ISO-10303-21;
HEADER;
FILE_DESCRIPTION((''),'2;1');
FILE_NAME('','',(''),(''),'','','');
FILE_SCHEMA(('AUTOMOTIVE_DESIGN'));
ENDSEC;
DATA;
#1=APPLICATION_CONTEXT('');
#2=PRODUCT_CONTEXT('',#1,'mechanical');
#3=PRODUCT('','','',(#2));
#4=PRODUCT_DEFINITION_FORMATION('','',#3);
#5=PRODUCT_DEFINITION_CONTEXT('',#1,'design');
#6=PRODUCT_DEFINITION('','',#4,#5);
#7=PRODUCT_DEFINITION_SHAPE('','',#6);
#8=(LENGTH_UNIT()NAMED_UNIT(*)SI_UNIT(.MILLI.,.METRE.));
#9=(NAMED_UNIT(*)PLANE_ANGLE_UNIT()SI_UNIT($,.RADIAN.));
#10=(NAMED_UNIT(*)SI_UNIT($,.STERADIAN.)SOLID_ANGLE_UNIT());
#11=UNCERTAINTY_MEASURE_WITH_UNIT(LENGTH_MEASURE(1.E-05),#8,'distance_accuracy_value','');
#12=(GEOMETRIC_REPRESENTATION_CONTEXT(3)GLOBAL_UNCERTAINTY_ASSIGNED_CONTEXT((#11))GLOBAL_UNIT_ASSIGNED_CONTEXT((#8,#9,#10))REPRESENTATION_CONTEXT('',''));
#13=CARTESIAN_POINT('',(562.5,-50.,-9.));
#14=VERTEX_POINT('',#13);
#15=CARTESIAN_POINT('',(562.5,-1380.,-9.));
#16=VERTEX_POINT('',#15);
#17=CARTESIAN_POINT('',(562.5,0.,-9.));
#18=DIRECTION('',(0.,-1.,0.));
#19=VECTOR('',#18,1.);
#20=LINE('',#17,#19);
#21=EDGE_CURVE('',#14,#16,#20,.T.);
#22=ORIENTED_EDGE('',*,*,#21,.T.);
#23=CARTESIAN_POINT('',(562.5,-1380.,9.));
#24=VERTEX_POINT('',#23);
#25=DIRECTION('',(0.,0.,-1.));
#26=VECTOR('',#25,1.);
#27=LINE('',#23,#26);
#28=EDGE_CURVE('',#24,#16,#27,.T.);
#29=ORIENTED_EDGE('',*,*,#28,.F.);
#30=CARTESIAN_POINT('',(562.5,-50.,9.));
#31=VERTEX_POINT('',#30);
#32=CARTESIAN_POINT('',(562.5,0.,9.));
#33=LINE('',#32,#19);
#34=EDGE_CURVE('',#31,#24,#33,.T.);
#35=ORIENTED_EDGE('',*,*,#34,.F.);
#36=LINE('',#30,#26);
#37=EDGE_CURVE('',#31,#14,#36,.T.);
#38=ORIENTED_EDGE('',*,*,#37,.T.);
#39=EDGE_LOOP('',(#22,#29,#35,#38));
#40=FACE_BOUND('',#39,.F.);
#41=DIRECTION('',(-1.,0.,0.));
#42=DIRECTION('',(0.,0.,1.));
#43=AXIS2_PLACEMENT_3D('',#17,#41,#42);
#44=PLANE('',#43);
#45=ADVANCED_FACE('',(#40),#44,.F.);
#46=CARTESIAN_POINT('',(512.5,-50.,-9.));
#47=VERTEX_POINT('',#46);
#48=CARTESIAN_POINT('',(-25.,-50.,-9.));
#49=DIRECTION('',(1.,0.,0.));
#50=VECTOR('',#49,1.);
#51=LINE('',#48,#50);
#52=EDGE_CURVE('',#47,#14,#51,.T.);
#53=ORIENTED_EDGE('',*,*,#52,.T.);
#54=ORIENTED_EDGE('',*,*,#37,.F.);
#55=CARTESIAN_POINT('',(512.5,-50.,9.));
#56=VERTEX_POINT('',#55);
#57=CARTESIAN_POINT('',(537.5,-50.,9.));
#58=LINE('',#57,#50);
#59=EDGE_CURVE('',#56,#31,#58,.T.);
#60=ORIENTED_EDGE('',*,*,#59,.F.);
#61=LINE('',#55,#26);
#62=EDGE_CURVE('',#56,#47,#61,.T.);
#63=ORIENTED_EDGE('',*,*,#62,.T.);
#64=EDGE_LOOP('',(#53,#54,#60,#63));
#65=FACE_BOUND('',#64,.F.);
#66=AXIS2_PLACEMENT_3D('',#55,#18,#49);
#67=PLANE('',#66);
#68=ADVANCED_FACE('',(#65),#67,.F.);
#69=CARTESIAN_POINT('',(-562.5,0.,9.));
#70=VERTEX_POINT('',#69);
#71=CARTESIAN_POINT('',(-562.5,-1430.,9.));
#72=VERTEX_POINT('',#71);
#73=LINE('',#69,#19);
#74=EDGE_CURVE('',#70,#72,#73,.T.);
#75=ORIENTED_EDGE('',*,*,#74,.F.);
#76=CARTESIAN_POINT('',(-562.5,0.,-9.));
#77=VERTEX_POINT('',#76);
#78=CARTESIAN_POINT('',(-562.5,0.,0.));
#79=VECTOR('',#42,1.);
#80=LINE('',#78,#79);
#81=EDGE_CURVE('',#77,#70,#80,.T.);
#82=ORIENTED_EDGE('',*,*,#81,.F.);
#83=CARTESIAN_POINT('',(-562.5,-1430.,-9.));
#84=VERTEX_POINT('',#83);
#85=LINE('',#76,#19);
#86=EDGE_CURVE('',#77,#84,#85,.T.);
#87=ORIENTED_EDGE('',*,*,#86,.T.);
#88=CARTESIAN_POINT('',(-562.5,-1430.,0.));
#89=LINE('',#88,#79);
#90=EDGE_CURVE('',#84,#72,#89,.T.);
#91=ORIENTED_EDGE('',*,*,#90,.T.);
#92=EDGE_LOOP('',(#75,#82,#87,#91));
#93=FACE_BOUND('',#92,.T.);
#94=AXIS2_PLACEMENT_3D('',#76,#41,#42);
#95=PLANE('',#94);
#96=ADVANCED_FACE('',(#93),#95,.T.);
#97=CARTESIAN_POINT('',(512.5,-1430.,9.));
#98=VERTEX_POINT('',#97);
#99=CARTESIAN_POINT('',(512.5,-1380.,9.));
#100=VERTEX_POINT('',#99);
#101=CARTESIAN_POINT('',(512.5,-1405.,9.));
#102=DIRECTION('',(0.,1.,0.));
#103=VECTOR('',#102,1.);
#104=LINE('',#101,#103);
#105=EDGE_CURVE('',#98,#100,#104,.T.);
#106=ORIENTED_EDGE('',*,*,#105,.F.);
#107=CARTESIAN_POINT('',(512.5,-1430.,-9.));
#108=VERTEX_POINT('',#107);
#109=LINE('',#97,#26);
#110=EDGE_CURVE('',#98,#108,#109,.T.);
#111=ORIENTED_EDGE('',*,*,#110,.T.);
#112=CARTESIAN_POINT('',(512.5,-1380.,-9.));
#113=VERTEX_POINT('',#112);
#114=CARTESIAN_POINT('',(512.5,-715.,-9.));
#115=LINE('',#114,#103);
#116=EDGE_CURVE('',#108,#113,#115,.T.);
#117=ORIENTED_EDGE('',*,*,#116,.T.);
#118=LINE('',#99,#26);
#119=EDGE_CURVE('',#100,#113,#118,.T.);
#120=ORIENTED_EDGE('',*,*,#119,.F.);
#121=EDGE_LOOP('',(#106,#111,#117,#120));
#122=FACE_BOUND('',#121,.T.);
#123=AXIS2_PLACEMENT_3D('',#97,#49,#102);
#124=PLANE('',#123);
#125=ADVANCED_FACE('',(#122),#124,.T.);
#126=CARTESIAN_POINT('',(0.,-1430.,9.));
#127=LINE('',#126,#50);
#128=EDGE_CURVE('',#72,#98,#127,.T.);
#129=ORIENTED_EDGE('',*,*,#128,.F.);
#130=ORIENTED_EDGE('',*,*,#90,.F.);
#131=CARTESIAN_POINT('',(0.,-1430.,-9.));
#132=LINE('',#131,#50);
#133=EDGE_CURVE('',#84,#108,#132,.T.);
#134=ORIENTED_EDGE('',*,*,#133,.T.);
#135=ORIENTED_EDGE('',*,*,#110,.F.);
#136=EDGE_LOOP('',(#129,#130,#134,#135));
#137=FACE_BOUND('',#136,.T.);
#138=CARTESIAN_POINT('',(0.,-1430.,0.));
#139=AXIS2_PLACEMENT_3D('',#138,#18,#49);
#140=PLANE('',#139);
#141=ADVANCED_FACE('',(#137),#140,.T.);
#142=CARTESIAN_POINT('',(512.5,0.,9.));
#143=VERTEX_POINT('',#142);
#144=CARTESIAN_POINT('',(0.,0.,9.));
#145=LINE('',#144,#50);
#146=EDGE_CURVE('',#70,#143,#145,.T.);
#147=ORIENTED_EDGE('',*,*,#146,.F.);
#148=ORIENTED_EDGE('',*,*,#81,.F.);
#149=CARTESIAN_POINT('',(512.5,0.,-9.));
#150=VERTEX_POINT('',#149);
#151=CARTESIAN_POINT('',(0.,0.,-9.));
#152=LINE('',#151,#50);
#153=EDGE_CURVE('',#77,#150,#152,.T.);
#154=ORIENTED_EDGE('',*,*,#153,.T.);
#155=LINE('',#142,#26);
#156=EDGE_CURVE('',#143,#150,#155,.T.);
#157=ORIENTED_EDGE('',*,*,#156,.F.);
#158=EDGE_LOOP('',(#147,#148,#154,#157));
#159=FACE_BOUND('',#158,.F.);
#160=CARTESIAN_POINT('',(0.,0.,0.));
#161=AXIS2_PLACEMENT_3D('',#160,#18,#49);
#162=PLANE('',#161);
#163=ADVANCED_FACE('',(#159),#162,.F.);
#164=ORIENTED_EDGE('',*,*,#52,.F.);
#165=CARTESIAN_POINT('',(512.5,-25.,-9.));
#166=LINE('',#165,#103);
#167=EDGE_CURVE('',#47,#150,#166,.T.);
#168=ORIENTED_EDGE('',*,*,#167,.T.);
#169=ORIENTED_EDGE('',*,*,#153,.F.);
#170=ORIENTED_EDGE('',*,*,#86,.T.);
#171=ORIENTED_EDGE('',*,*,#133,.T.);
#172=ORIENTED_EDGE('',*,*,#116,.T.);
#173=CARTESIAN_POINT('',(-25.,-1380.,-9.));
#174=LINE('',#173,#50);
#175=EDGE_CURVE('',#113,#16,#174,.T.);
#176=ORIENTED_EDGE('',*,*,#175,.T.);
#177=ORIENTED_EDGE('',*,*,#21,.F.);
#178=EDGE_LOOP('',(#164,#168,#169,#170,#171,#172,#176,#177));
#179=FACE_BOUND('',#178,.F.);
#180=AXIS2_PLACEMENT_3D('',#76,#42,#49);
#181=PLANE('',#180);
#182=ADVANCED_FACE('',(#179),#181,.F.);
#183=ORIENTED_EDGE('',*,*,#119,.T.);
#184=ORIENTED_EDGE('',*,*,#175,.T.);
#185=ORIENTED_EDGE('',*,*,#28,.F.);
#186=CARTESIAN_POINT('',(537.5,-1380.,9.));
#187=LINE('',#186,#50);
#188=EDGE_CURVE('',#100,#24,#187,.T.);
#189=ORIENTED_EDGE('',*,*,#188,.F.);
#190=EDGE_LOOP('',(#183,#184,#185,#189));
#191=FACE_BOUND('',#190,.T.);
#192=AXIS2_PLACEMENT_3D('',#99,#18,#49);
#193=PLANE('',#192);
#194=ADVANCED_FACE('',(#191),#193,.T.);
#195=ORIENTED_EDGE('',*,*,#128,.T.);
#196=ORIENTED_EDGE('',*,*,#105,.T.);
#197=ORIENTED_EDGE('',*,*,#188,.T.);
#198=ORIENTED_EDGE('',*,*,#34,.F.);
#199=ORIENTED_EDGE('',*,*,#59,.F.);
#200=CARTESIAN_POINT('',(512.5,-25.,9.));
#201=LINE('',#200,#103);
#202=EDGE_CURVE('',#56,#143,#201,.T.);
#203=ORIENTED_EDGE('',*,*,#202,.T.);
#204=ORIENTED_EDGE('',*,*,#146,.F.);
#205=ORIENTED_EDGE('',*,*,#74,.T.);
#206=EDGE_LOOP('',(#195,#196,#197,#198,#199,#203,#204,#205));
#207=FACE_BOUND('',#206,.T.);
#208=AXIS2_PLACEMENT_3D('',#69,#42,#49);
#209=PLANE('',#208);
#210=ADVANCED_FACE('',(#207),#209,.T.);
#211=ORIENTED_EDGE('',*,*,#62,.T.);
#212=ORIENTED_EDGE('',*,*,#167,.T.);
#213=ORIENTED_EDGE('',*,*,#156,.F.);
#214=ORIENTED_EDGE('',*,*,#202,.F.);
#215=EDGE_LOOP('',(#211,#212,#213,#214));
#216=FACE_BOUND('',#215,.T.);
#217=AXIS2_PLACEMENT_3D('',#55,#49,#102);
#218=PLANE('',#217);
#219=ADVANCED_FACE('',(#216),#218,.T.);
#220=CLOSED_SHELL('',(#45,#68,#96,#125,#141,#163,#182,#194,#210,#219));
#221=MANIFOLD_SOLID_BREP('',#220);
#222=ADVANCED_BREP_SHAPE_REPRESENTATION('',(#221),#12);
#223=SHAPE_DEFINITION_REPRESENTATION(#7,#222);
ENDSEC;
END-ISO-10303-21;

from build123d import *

# Parameters (mm, degrees)
F0_W     = 1125
F0_H     = 18
F1_DEPTH = 1430
F2_W     = 50
F2_H     = 50
F3_DEPTH = 18.001


with BuildPart() as f1:
    # F0 (on Front) → F1 (new body)
    with BuildSketch(Plane.XZ):
        Rectangle(F0_W, F0_H)
    extrude(amount=F1_DEPTH)

    # F2 (on face) → F3 (cut, through all)
    with BuildSketch(Plane.XY.offset(9)):
        with Locations((537.5, -1405)):
            Rectangle(F2_W, F2_H)
        with Locations((537.5, -25)):
            Rectangle(F2_W, F2_H)
    extrude(amount=-F3_DEPTH, mode=Mode.SUBTRACT)


solid = f1.part
